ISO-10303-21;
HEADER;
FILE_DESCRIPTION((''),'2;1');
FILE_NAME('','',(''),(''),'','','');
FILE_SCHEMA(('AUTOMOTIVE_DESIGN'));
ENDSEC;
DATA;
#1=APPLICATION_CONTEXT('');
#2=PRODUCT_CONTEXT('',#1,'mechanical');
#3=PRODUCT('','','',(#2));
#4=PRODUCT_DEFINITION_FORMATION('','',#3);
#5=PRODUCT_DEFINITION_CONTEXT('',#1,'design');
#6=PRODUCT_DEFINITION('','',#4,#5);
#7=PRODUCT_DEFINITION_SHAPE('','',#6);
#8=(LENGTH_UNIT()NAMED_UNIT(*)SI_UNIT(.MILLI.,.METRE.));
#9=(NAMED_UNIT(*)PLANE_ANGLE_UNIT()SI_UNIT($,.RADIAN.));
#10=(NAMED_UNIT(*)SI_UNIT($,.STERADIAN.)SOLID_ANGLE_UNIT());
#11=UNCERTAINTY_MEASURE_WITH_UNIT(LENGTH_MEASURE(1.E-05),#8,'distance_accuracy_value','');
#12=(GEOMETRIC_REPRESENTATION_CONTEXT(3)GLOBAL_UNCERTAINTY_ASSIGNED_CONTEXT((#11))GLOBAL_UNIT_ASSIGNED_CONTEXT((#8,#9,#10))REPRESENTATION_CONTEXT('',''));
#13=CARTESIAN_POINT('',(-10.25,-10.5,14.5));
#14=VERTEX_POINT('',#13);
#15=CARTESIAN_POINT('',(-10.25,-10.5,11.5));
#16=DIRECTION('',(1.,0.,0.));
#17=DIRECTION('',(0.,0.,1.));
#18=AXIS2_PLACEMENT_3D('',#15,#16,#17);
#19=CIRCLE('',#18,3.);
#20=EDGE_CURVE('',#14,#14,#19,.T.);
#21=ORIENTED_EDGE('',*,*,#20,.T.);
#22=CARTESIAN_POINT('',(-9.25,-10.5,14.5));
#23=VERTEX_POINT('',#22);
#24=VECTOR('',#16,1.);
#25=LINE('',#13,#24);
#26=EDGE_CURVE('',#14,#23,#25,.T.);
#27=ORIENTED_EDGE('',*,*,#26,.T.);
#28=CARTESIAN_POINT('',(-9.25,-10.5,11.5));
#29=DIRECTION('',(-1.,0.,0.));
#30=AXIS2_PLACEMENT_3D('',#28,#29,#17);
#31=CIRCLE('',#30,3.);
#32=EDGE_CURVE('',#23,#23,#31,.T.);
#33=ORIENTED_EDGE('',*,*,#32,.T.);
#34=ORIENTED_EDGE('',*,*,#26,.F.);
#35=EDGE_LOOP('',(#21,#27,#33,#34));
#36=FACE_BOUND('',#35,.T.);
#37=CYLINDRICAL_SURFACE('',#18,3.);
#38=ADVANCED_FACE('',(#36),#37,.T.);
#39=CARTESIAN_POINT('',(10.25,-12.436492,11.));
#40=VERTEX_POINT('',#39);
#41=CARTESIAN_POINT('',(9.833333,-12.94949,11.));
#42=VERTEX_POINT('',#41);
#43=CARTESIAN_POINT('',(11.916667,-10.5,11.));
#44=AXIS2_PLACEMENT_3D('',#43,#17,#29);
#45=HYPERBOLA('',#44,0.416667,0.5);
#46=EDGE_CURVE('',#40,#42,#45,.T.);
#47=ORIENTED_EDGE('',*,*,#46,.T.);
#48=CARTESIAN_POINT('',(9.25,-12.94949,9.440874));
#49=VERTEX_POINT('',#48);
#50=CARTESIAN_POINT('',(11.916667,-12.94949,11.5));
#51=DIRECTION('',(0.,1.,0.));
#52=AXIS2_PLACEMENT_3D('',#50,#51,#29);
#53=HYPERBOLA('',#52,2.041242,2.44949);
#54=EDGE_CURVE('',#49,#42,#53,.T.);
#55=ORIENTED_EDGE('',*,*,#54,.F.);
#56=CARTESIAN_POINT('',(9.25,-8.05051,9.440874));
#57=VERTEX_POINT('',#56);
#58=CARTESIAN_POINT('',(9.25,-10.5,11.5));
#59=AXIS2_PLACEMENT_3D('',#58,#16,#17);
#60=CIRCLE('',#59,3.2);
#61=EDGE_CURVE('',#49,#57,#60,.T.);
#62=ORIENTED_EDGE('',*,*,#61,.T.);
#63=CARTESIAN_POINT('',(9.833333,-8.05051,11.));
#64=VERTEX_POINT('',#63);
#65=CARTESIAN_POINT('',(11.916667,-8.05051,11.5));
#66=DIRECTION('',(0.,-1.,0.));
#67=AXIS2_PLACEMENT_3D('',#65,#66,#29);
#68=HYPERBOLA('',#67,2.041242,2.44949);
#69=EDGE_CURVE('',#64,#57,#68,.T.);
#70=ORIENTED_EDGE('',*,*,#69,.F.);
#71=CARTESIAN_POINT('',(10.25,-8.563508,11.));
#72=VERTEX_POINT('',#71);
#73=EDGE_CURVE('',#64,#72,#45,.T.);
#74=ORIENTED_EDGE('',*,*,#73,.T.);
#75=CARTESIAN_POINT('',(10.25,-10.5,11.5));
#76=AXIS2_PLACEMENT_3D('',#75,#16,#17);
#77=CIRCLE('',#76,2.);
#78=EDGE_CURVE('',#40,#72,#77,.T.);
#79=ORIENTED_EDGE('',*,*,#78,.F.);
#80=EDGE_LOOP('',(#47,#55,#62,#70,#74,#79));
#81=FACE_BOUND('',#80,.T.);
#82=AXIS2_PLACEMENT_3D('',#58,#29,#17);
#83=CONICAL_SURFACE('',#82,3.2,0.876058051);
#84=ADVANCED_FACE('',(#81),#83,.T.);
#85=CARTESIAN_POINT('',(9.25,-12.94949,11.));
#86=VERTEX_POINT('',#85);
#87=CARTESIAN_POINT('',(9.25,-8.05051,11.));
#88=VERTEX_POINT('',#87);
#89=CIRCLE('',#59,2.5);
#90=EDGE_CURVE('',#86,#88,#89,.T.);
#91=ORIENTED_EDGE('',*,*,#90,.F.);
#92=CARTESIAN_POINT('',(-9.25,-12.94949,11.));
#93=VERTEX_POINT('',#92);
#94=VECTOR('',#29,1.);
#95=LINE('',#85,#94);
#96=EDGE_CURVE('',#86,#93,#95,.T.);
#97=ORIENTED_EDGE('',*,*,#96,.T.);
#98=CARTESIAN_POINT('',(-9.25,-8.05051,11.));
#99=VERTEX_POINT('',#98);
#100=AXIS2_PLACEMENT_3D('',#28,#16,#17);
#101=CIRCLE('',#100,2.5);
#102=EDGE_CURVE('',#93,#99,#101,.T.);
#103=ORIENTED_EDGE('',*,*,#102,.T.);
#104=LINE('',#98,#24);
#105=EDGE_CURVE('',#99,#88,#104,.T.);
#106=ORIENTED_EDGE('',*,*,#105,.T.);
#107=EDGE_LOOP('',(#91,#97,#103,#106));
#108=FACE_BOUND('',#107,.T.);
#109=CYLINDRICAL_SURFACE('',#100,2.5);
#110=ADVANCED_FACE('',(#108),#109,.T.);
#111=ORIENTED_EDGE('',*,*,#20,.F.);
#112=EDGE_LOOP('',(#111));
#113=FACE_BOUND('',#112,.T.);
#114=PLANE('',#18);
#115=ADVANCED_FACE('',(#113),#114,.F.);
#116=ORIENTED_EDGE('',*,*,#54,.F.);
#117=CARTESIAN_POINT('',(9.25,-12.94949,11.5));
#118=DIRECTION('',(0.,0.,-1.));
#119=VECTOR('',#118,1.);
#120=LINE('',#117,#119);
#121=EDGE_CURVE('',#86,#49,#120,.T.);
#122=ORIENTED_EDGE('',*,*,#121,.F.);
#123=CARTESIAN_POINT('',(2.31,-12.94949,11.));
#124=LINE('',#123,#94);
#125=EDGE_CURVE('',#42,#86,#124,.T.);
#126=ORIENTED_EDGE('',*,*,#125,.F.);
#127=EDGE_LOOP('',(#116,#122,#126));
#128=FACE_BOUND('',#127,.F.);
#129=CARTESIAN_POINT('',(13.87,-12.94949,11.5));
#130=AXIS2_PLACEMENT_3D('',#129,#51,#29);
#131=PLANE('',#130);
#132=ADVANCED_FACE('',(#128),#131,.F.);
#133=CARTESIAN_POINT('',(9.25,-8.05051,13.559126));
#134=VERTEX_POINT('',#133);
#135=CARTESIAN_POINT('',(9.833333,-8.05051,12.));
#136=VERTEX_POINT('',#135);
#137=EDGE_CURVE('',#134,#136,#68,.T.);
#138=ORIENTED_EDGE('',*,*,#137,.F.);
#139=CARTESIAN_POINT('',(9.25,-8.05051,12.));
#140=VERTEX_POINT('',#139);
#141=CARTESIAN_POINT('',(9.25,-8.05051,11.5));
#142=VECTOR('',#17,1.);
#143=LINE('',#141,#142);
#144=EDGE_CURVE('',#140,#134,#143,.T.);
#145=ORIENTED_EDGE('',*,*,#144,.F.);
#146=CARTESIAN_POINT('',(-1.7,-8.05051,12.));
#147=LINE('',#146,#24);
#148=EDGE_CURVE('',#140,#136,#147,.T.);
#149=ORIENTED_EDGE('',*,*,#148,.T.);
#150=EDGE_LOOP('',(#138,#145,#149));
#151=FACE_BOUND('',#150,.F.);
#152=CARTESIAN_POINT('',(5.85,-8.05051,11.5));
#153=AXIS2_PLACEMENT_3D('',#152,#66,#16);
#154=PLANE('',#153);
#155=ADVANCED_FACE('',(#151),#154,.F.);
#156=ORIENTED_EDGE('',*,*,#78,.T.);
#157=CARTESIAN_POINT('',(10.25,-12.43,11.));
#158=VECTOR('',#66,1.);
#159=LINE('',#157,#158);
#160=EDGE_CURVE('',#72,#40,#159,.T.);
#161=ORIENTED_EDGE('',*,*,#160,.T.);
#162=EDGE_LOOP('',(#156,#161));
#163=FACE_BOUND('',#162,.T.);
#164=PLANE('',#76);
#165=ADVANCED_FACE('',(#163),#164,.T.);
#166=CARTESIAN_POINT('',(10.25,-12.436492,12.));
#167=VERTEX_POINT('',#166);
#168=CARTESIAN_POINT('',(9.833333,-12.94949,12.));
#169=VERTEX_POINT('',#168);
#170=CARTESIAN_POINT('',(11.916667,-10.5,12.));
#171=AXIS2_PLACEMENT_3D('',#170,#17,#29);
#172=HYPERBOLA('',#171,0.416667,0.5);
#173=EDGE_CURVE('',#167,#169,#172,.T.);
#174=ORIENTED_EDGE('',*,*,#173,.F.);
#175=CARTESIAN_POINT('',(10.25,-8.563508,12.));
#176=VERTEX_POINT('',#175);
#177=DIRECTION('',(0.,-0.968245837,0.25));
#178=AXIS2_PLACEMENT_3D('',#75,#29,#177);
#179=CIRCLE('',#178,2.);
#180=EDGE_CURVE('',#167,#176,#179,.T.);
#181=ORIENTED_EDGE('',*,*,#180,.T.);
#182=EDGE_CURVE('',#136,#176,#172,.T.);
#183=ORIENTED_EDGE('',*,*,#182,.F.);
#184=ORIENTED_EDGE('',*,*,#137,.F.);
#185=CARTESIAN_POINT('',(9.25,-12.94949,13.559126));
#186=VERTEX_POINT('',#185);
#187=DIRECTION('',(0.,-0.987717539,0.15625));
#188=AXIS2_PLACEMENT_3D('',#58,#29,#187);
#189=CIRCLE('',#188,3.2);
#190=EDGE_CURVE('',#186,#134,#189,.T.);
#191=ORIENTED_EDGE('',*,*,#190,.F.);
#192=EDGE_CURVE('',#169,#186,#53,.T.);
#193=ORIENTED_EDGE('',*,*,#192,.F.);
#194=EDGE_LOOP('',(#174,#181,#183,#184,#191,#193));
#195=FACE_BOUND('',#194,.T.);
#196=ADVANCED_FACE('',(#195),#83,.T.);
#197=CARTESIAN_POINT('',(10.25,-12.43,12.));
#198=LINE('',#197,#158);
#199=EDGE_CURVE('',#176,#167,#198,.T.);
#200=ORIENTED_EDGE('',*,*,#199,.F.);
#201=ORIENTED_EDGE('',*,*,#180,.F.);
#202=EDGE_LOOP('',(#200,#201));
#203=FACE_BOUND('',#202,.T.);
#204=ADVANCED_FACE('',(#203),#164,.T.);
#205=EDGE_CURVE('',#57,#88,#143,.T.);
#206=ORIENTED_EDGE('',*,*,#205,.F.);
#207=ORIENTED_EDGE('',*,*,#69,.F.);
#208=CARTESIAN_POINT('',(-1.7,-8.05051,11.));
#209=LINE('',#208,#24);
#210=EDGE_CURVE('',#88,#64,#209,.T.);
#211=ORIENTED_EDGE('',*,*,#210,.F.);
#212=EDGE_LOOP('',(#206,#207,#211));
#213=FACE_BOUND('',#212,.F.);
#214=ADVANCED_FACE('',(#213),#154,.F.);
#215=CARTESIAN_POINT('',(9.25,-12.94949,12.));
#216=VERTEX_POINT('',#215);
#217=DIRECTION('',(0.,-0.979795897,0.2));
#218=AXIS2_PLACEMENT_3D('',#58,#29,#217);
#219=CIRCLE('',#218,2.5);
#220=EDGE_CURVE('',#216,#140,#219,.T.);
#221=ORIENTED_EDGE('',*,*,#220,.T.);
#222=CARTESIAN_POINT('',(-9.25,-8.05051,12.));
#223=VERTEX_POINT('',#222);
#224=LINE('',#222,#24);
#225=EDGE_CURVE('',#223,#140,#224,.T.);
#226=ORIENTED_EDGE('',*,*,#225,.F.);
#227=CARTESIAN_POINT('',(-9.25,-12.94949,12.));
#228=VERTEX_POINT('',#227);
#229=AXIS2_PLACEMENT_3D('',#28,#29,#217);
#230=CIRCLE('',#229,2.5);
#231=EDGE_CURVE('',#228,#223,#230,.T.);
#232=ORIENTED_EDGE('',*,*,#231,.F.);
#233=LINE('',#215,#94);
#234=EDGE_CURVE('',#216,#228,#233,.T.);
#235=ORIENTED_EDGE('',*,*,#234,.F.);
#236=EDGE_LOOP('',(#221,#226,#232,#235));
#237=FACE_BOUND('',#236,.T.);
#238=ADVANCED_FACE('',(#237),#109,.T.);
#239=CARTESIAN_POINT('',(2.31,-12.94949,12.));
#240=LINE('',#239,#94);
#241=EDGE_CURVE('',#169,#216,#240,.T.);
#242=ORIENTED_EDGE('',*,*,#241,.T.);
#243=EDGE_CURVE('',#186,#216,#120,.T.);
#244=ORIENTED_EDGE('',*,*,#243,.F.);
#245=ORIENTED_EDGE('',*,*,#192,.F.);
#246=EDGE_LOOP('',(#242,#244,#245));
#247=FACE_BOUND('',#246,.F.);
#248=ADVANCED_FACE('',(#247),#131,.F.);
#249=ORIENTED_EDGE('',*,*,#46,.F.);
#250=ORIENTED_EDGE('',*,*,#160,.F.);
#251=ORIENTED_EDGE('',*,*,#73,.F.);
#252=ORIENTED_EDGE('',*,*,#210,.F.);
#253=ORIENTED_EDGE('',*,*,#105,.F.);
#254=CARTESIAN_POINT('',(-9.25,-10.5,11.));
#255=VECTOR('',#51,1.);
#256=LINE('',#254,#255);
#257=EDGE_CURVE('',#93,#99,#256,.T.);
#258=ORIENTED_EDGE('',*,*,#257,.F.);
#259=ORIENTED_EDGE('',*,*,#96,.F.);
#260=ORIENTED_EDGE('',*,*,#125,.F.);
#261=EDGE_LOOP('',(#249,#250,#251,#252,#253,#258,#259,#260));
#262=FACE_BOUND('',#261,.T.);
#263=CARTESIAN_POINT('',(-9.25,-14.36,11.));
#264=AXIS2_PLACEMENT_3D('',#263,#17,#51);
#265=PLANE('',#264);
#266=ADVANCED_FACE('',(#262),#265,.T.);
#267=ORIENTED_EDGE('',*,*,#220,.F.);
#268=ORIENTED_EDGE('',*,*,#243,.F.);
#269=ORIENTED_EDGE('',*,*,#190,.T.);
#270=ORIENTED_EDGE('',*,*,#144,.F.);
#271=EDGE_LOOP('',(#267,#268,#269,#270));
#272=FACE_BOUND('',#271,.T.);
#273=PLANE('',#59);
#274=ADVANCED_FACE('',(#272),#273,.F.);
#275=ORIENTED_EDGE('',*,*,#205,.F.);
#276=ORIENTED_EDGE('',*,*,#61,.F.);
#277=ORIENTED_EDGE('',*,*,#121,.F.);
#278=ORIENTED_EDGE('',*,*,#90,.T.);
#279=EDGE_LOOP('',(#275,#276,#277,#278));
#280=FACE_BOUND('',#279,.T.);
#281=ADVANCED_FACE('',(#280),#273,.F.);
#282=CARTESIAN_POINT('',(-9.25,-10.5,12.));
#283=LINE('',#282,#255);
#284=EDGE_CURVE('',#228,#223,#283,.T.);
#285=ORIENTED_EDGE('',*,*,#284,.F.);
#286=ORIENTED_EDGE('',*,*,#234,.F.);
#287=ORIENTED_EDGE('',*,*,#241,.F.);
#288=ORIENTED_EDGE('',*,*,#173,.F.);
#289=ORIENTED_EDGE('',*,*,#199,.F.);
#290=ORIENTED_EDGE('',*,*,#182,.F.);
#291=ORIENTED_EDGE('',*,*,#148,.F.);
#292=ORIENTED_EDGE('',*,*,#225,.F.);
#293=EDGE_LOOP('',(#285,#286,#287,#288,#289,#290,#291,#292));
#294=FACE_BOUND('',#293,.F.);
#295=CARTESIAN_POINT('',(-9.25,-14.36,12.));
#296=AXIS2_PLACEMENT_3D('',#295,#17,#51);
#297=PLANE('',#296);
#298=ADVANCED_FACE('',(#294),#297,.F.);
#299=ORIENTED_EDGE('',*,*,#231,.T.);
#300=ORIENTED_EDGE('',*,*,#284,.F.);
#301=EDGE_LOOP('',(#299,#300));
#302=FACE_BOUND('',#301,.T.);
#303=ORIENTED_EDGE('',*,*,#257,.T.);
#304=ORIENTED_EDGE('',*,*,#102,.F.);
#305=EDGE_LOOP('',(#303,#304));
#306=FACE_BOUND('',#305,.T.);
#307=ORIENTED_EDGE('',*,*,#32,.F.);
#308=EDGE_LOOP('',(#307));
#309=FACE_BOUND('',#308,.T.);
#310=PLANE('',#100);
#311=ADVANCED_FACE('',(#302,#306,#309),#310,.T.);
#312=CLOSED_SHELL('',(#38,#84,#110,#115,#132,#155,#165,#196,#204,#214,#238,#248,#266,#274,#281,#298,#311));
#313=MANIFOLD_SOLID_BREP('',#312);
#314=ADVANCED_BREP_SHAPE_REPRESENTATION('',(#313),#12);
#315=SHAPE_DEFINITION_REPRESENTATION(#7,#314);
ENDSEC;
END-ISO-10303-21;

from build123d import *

# Parameters (mm, degrees)
SKETCH009_W     = 7.72
SKETCH009_H     = 1
POCKET001_DEPTH = 26
POCKET002_DEPTH = 25


with BuildPart() as part:
    # Sketch008 → Revolution (revolve)
    with BuildSketch(Plane.XZ):
        Polygon((-1, 0), (-1, 3), (0, 3), (0, 2.5), (18.5, 2.5), (18.5, 3.2), (19.5, 2), (19.5, 0), align=None)
    revolve(axis=Axis((0, 0, 0), (1, 0, 0)))

    # Sketch009 → Pocket001 (cut)
    with BuildSketch(Plane.YZ):
        Rectangle(SKETCH009_W, SKETCH009_H)
    extrude(amount=POCKET001_DEPTH, mode=Mode.SUBTRACT)

    # Sketch010 → Pocket002 (cut, symmetric)
    with BuildSketch(Plane.XY):
        Polygon((15.1, 2.44949), (23.12, 2.44949), (23.12, -2.44949), (15.1, -2.44949), (15.1, -3.86051), (30.32, -3.86051), (30.32, 7.01949), (15.1, 7.01949), align=None)
    extrude(amount=POCKET002_DEPTH, both=True, mode=Mode.SUBTRACT)


with BuildPart() as part_1:
    # Body002 placement: moved
    add(part.part.moved(Location((-9.25, -10.5, 11.5))))


solid = part_1.part
